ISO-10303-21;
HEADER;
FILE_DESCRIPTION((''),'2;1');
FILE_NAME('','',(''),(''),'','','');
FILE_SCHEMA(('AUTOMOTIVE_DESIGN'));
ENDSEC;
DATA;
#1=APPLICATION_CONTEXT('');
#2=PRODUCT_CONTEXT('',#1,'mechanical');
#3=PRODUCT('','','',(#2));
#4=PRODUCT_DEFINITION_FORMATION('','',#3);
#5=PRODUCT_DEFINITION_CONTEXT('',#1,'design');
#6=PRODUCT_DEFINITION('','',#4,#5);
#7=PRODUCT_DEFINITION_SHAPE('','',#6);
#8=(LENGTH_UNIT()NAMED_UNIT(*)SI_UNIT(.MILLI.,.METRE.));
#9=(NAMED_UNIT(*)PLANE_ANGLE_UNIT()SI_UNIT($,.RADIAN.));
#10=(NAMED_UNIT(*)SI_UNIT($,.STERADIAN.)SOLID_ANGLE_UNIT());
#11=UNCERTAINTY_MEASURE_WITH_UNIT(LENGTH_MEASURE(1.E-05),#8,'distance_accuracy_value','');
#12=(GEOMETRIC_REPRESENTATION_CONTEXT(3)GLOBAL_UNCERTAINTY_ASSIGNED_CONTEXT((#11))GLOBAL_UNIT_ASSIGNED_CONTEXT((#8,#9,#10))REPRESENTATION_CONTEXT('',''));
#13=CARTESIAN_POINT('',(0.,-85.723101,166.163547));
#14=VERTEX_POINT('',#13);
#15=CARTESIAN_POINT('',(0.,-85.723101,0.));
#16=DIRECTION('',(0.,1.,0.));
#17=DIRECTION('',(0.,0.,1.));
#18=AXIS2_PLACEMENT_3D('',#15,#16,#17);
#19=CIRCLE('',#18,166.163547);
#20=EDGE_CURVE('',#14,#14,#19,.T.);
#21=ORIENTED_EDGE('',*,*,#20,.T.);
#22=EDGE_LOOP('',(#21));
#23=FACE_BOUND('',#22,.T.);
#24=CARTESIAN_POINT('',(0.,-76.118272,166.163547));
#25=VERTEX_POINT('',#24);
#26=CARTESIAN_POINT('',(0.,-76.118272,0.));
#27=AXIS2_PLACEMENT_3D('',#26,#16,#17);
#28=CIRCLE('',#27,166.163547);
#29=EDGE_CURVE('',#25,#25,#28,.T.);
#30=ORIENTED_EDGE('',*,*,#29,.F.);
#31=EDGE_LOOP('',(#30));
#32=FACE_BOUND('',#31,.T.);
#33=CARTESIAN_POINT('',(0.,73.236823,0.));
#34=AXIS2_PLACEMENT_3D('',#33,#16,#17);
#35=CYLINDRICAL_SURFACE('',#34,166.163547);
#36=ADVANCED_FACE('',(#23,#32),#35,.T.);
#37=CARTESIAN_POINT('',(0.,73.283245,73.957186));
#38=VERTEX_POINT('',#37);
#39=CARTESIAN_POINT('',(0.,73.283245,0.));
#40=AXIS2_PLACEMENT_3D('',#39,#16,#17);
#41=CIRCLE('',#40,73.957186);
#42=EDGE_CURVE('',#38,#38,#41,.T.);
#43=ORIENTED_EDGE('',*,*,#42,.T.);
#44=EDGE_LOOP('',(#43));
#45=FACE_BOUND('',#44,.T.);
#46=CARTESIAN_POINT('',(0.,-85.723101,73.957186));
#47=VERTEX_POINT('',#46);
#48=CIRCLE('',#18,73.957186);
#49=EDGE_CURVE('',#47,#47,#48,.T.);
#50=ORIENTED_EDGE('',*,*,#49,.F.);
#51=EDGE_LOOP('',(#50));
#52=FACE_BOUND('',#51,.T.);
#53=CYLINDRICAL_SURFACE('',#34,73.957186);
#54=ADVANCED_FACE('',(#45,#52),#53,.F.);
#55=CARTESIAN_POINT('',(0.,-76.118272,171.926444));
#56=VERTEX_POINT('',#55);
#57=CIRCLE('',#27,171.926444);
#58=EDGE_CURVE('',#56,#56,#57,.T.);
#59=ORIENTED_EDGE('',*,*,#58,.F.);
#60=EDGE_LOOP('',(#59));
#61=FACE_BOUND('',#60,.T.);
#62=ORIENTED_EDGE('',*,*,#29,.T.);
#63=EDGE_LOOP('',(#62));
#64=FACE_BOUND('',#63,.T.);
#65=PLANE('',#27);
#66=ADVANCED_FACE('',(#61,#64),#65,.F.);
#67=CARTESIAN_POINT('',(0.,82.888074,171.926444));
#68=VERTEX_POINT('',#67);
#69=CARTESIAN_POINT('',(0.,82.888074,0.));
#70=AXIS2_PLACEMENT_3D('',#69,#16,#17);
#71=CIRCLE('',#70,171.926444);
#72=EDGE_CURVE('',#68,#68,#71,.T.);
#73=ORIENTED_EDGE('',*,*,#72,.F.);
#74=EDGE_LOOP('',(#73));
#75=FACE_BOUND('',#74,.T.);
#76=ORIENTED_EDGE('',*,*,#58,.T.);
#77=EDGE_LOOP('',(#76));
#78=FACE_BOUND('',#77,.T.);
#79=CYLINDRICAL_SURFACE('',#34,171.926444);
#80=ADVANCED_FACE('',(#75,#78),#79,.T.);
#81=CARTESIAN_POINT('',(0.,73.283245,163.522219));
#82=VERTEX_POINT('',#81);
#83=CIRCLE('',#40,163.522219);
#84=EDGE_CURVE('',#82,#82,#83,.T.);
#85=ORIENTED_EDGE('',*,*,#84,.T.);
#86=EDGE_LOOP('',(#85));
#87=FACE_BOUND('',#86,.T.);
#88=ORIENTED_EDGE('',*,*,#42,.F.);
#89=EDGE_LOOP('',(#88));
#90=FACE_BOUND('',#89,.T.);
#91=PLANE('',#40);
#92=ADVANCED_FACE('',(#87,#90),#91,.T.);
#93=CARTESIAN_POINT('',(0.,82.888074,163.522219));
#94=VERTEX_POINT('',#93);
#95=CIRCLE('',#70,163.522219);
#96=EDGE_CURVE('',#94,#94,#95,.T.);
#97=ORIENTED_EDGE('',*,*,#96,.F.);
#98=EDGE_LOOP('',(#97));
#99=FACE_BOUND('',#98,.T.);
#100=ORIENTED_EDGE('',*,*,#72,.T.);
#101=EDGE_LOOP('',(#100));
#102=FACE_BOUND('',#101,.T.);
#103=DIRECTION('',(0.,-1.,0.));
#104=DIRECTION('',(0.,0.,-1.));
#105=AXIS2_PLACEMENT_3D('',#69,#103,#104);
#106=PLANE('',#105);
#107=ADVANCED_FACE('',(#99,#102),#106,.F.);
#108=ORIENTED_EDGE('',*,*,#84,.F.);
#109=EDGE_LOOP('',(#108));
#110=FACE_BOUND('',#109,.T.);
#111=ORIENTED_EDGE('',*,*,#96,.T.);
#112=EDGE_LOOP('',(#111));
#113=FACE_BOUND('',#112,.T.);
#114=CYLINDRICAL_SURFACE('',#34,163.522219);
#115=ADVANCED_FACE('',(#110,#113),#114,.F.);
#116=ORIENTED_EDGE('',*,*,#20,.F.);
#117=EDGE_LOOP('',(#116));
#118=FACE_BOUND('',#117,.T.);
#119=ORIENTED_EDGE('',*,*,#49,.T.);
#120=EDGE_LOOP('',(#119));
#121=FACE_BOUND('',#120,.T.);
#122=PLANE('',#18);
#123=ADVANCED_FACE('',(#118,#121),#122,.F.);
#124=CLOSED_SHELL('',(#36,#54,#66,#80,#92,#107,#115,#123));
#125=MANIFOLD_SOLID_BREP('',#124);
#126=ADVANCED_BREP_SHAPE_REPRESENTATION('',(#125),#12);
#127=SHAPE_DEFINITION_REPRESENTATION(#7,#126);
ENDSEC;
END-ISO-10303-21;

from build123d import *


with BuildPart() as part:
    # Croquis1 → Revolución2 (revolve)
    with BuildSketch(Plane(origin=(0, 0, 0), x_dir=(0, 0, -1), z_dir=(1, 0, 0))):
        Polygon((73.957185569, -85.723101455), (166.163546798, -85.723101455), (166.163546798, -76.11827216), (162.801856545, -76.11827216), (171.926444375, -76.11827216), (171.926444375, 82.888074066), (163.522218742, 82.888074066), (163.522218742, 73.283244772), (148.874854068, 73.283244772), (97.969258806, 73.283244772), (73.957185569, 73.283244772), align=None)
    revolve(axis=Axis((0, 73.236823372, 0), (0, -1, 0)))


solid = part.part
